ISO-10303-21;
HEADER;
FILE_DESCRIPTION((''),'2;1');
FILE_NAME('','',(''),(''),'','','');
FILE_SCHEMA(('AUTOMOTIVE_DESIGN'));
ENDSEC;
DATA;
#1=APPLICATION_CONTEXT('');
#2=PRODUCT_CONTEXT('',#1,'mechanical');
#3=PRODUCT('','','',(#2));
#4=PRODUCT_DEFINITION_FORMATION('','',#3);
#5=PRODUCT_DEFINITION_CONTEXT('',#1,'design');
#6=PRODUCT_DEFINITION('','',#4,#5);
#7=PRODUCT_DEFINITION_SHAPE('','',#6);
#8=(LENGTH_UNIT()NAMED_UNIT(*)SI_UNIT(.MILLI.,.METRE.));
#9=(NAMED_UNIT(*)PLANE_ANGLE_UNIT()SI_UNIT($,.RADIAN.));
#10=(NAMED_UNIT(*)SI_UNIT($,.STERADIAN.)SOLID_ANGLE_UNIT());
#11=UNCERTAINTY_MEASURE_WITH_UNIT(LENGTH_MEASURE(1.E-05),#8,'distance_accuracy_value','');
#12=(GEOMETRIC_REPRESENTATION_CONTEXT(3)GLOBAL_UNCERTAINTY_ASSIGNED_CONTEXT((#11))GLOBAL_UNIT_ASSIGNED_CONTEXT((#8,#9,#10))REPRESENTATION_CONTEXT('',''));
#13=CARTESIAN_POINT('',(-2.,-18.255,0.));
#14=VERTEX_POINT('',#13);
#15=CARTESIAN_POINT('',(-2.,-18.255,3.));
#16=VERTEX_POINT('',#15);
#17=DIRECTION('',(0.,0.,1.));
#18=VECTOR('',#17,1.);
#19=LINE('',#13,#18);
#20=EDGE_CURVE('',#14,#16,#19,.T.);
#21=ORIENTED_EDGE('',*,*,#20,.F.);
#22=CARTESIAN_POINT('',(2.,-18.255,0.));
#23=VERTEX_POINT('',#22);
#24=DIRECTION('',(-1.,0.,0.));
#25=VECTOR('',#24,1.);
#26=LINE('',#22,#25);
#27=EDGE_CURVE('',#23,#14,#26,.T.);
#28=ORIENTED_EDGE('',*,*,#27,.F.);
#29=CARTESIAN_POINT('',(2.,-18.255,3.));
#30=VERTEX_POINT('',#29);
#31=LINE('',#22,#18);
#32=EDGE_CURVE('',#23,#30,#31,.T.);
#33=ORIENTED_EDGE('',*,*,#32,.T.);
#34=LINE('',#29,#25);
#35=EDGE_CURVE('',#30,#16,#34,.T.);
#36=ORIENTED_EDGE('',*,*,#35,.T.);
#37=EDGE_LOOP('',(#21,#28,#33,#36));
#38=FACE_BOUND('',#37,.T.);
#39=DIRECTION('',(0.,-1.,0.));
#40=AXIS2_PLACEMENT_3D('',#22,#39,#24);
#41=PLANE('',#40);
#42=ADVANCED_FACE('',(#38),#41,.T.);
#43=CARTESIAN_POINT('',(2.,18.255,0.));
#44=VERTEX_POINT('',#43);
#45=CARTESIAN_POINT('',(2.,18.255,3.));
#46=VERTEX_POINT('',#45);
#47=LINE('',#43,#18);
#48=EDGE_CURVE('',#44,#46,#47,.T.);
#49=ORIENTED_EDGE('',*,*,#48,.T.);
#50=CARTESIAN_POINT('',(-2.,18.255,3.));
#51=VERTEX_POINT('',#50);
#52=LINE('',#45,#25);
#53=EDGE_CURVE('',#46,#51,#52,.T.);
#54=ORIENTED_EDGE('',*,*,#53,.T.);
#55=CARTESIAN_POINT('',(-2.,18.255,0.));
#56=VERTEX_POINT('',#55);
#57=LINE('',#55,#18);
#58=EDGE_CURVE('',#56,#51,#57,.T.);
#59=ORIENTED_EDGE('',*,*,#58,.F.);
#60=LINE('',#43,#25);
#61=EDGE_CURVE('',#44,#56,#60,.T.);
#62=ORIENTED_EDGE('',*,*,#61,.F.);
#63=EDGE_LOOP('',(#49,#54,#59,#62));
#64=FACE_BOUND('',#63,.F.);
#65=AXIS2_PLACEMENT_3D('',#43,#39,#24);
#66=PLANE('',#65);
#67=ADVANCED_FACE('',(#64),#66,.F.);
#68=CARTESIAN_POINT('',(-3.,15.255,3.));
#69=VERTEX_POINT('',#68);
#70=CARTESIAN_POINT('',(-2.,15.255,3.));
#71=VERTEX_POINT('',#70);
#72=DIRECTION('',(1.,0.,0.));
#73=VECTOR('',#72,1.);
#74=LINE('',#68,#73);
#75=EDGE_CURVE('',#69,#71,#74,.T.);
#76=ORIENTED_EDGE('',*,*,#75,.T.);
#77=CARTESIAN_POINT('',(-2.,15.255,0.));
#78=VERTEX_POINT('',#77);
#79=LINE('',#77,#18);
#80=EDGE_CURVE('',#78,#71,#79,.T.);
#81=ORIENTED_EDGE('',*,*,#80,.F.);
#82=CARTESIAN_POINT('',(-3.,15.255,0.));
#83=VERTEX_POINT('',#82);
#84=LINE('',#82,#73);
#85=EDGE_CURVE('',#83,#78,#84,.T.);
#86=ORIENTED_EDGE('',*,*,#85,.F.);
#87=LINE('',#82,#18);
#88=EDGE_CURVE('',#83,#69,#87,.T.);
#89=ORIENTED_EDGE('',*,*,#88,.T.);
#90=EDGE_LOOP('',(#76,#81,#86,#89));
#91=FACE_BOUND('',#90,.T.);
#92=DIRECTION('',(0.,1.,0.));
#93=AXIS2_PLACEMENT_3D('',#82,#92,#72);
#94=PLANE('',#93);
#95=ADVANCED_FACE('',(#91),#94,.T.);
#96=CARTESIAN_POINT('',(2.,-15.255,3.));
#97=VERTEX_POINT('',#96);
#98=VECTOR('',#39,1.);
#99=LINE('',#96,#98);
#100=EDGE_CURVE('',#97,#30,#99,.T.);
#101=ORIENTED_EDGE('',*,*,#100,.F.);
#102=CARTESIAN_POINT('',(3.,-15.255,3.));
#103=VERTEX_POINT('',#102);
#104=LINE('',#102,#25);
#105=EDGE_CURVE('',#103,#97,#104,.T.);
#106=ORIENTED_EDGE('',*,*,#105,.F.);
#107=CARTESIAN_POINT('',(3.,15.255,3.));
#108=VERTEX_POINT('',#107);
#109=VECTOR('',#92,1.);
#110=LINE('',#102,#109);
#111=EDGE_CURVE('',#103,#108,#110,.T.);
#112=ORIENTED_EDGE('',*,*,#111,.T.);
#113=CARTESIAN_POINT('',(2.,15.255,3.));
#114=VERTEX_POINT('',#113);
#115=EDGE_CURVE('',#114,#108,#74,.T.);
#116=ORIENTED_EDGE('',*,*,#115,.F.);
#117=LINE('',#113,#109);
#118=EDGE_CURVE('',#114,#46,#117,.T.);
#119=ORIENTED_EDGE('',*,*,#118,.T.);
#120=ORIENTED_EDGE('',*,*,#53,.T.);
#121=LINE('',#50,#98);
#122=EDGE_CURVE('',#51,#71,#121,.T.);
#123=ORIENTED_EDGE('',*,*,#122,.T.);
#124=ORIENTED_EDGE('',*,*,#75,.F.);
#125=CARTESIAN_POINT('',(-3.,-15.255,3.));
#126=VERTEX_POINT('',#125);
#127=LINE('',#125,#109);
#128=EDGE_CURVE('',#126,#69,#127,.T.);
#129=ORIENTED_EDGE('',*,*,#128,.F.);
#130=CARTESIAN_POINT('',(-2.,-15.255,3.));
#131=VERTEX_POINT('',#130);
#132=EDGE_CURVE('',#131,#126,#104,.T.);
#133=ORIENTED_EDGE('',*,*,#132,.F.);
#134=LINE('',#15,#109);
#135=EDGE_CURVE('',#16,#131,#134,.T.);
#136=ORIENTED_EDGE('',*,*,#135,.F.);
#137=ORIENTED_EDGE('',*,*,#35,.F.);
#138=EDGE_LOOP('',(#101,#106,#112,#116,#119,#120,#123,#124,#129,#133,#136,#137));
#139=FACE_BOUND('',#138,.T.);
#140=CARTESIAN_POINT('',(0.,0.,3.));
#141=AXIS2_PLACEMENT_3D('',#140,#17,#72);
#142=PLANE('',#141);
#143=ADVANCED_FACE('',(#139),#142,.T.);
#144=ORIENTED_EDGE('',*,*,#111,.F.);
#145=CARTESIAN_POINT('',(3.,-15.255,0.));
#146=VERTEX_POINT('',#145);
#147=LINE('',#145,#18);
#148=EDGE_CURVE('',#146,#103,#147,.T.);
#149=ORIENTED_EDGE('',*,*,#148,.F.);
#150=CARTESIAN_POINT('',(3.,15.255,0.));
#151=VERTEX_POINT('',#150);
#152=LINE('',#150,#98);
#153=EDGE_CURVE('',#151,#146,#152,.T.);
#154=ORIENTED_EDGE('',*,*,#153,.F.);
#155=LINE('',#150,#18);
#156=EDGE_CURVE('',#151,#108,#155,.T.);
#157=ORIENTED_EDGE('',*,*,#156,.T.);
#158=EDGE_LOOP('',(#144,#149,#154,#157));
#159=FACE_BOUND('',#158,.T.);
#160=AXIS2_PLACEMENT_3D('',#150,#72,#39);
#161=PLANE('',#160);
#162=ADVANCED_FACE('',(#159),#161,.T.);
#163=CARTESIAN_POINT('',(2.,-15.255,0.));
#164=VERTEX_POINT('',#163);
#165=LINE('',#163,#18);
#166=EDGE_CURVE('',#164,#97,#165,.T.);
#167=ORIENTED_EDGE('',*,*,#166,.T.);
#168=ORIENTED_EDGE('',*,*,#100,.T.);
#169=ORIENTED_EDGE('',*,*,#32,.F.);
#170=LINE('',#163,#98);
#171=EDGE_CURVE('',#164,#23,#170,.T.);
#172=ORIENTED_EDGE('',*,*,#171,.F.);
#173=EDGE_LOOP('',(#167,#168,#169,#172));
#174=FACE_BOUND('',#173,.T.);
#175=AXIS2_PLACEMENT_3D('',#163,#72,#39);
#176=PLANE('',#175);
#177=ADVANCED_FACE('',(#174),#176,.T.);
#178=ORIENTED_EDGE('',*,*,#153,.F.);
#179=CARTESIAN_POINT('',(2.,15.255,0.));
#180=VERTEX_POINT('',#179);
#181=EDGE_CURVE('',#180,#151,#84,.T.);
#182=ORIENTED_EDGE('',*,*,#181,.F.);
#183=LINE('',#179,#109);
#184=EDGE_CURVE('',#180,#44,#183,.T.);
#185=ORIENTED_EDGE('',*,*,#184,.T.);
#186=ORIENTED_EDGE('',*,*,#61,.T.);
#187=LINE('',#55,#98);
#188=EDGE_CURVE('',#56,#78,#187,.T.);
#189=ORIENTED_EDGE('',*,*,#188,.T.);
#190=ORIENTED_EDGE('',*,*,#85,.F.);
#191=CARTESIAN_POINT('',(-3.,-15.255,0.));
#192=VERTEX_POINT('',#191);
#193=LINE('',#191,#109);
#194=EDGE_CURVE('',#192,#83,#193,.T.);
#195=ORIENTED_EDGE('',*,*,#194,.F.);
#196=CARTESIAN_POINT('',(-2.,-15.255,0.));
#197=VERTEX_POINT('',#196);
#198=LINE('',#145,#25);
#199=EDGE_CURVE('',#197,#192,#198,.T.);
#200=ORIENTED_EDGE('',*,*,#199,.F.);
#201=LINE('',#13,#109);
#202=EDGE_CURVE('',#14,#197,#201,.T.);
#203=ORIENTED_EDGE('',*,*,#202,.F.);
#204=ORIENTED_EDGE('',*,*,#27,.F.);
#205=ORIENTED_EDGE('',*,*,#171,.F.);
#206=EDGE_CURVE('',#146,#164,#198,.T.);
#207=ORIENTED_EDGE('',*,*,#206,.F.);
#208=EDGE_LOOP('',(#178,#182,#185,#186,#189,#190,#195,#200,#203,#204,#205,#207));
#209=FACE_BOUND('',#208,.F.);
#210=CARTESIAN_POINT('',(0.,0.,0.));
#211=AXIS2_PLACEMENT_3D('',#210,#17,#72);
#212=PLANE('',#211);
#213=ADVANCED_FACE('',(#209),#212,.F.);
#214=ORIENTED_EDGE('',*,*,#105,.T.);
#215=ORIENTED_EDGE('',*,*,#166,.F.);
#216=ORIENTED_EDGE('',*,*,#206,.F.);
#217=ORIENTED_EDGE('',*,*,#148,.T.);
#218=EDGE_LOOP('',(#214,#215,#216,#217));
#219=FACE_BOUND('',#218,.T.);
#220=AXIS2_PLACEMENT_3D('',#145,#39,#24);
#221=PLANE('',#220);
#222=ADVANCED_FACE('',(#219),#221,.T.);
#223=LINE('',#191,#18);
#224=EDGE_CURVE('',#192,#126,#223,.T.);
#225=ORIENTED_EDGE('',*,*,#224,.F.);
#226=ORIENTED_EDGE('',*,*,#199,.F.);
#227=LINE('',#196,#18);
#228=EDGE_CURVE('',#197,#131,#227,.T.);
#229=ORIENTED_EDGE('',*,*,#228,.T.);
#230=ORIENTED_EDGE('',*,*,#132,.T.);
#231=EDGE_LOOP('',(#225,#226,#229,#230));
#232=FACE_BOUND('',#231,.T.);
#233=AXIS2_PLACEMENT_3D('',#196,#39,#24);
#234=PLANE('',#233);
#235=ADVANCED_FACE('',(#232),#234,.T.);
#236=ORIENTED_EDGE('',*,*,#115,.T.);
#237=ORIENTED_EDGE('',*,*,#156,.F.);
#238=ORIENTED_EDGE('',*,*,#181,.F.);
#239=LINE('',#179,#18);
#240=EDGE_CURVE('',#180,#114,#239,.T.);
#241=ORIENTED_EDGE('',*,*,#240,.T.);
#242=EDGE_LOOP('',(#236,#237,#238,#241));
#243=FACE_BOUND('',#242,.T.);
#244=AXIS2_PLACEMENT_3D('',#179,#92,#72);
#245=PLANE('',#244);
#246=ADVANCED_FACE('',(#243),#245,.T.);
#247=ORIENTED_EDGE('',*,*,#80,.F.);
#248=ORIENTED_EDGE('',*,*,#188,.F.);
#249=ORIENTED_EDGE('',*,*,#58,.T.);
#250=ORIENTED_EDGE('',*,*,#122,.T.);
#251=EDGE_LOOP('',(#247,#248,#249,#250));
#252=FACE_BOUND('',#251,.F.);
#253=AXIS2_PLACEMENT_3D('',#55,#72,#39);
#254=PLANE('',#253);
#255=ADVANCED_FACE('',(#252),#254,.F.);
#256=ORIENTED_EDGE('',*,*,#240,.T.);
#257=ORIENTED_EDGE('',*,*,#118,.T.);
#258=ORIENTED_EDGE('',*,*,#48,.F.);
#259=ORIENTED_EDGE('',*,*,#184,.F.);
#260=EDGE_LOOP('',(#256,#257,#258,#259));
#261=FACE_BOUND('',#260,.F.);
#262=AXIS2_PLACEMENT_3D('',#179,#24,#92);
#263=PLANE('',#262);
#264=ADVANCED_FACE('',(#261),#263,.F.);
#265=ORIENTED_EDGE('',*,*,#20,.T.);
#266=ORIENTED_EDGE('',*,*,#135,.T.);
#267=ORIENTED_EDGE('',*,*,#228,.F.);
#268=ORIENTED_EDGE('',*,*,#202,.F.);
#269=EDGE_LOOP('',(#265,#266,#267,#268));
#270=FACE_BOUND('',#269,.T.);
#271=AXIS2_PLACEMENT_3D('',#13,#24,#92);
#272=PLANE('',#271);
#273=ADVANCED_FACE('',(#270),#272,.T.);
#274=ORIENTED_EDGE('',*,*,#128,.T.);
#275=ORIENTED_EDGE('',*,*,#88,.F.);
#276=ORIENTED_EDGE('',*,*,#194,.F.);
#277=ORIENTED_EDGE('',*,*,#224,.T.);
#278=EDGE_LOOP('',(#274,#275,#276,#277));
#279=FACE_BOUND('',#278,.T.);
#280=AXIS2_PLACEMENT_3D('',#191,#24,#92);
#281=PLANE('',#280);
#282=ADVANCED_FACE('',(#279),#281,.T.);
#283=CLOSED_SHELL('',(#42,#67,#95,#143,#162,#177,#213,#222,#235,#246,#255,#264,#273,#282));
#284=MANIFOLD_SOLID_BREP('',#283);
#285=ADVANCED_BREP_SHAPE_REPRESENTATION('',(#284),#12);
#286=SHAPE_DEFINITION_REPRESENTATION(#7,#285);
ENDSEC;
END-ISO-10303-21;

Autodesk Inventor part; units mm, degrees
ref_plane "YZ Plane" through (0, 0, 0) normal (1, 0, 0) x (0, 1, 0)
ref_plane "XZ Plane" through (0, 0, 0) normal (0, 1, 0) x (-1, 0, 0)
ref_plane "XY Plane" through (0, 0, 0) normal (0, 0, 1) x (1, 0, 0)
sketch "Sketch1" plane through (0, 0, 0) normal (0, 0, 1) x (1, 0, 0)
  line L0 (-3, 15.255) -> (3, 15.255)
  line L1 (3, 15.255) -> (3, -15.255)
  line L2 (3, -15.255) -> (-3, -15.255)
  line L3 (-3, -15.255) -> (-3, 15.255)
  line L4 (-2, -15.255) -> (2, -15.255)
  line L5 (2, -15.255) -> (2, -18.255)
  line L6 (2, -18.255) -> (-2, -18.255)
  line L7 (-2, -18.255) -> (-2, -15.255)
  line L8 (-2, 15.255) -> (2, 15.255)
  line L9 (2, 15.255) -> (2, 18.255)
  line L10 (2, 18.255) -> (-2, 18.255)
  line L11 (-2, 18.255) -> (-2, 15.255)
  line L12 (3, -12) -> (0, -12)
  line L13 (0, -12) -> (0, -8)
  line L14 (0, -8) -> (3, -8)
  line L15 (3, -8) -> (3, -12)
  line L16 (3, 8) -> (0, 8)
  line L17 (0, 8) -> (0, 12)
  line L18 (0, 12) -> (3, 12)
  line L19 (3, 12) -> (3, 8)
  point P0 (0, 0)
  point P1 (0, 0)
  point P2 (0, 18.255)
  point P3 (0, 15.255)
  point P4 (0, 15.255)
  point P5 (0, -18.255)
  point P6 (3, 0)
  point P7 (2.1852, -20.4852)
  point P8 (2.1852, 20.1148)
  point P9 (3, -10)
  point P10 (3, 10)
  point P11 (3.1852, -8.1852)
  point P12 (3.1852, 11.8148)
  dimension "d0" = 36.51
  dimension "d1" = 3
  dimension "d2" = 4
  dimension "d3" = 6
  dimension "d4" = 4
  dimension "d5" = 10
  dimension "d6" = 10
  dimension "d7" = 3
extrude "Extrusion1" add sketch "Sketch1" along normal blind 3
properties material "MDF Medium Density Fiberboard"
